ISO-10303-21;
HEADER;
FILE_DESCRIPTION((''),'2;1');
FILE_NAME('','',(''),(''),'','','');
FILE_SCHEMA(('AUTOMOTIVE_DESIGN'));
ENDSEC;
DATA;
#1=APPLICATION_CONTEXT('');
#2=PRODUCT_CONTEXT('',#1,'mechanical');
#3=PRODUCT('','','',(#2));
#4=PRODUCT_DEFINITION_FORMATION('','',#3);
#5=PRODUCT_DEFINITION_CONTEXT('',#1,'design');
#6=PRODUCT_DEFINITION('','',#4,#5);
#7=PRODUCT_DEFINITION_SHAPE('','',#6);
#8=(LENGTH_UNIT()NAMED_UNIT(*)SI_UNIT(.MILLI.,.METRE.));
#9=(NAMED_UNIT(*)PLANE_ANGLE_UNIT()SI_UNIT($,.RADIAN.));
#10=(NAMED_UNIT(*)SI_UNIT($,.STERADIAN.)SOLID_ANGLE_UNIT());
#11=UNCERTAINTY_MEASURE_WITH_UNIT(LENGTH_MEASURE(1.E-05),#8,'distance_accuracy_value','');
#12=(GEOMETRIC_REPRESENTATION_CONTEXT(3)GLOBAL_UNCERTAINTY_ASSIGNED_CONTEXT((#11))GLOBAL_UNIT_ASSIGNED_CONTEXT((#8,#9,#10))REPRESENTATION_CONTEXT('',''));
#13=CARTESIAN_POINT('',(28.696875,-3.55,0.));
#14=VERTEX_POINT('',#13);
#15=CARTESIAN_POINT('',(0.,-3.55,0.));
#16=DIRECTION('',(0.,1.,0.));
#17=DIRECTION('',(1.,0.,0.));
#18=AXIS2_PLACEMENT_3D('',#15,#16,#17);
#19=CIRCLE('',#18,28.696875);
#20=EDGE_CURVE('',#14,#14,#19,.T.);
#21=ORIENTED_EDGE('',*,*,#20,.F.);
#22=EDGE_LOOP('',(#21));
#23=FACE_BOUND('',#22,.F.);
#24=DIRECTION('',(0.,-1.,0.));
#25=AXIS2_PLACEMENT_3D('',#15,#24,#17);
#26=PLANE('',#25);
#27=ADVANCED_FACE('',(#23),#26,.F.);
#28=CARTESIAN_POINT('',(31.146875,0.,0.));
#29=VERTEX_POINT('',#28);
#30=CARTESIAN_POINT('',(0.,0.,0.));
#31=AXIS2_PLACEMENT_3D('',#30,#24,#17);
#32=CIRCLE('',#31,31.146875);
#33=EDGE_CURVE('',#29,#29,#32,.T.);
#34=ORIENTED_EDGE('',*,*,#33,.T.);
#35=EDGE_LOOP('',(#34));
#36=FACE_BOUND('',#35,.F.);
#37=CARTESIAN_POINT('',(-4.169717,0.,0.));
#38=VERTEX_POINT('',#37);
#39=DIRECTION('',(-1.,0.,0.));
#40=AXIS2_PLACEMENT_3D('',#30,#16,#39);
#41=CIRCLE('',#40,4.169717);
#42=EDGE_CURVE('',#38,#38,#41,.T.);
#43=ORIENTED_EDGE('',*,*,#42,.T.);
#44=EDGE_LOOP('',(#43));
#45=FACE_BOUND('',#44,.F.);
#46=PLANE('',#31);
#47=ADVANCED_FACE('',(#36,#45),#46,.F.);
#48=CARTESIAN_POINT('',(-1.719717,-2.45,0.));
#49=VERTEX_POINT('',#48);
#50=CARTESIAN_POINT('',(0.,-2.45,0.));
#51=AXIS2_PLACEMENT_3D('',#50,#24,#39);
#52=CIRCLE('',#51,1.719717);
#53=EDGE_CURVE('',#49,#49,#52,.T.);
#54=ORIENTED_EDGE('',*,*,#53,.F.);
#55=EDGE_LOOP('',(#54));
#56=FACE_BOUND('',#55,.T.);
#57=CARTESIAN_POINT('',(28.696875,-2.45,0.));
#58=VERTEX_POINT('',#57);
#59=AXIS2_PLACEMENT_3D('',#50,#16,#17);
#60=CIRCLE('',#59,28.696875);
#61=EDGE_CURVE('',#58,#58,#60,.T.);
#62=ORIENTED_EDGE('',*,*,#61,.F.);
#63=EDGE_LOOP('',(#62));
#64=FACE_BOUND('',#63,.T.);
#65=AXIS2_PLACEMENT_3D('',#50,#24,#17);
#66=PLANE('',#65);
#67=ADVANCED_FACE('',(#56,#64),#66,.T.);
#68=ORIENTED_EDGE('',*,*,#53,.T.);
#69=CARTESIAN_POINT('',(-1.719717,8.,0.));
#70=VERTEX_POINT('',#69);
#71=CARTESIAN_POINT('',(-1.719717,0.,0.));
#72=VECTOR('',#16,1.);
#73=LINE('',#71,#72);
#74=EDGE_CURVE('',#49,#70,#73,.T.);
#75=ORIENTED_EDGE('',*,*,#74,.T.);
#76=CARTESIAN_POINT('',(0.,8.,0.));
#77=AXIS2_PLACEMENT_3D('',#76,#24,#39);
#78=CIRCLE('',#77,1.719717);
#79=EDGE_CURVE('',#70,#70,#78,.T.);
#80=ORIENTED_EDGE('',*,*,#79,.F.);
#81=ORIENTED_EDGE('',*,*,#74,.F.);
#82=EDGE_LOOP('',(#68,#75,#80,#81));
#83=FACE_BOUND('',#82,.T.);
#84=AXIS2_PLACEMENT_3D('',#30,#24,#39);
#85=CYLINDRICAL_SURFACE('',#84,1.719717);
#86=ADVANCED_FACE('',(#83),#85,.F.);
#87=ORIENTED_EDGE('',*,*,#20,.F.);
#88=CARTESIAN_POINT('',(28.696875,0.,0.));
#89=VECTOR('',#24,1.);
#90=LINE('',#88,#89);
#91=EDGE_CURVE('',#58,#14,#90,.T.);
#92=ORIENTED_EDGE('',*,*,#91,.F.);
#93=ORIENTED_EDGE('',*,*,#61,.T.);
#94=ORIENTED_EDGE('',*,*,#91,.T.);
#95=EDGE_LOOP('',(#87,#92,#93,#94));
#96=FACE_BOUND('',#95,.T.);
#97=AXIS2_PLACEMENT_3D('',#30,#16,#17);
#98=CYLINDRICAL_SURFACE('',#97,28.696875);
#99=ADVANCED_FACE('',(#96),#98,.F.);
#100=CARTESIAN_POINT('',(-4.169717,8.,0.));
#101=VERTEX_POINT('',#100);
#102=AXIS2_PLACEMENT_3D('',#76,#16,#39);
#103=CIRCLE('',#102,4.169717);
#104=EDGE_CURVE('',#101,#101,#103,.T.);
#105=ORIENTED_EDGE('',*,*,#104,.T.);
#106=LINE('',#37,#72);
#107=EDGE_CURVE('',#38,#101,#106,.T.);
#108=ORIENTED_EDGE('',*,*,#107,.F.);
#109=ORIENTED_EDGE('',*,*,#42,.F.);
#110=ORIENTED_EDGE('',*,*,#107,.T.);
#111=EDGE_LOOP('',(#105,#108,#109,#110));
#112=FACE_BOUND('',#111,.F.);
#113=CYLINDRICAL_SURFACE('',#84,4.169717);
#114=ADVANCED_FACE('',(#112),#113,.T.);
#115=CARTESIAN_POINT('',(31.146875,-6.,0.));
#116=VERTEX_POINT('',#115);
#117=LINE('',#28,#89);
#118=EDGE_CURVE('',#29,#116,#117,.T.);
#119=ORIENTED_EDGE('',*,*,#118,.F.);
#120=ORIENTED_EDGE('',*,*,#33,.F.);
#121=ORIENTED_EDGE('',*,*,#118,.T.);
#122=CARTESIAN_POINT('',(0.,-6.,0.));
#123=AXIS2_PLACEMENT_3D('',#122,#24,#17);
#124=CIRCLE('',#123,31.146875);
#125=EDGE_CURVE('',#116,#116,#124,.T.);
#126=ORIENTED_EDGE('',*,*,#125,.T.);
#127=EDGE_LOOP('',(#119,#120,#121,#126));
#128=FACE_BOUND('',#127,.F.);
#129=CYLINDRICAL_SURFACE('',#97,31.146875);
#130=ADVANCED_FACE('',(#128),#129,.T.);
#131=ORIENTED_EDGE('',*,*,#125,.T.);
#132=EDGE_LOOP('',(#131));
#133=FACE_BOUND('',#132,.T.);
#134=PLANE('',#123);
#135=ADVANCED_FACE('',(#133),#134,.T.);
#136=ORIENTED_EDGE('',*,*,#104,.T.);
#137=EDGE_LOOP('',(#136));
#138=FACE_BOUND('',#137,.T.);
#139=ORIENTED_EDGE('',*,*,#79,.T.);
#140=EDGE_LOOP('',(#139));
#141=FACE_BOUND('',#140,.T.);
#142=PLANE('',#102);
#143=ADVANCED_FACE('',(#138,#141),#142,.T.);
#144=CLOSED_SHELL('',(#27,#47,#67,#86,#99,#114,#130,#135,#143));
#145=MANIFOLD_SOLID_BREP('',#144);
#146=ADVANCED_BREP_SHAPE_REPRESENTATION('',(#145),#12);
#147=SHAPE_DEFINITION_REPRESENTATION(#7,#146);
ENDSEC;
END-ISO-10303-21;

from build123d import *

# Parameters (mm, degrees)
F0_R     = 31.146875323
F1_DEPTH = 6
F2_R     = 4.1697172025
F3_DEPTH = 8
F4_T     = -2.45


with BuildPart() as f1:
    # F0 (on Front) → F1 (new body)
    with BuildSketch(Plane.XZ):
        Circle(F0_R)
    extrude(amount=F1_DEPTH)

    # F2 (on face) → F3 (join)
    with BuildSketch(Plane(origin=(0, 0, 0), x_dir=(-1, 0, 0), z_dir=(0, 1, 0))):
        Circle(F2_R)
    extrude(amount=F3_DEPTH)

    # F4
    f4_openings = [f1.faces().sort_by_distance(p)[0] for p in [
        (0, 8, 0),
    ]]
    offset(amount=F4_T, openings=f4_openings, kind=Kind.INTERSECTION)


solid = f1.part
